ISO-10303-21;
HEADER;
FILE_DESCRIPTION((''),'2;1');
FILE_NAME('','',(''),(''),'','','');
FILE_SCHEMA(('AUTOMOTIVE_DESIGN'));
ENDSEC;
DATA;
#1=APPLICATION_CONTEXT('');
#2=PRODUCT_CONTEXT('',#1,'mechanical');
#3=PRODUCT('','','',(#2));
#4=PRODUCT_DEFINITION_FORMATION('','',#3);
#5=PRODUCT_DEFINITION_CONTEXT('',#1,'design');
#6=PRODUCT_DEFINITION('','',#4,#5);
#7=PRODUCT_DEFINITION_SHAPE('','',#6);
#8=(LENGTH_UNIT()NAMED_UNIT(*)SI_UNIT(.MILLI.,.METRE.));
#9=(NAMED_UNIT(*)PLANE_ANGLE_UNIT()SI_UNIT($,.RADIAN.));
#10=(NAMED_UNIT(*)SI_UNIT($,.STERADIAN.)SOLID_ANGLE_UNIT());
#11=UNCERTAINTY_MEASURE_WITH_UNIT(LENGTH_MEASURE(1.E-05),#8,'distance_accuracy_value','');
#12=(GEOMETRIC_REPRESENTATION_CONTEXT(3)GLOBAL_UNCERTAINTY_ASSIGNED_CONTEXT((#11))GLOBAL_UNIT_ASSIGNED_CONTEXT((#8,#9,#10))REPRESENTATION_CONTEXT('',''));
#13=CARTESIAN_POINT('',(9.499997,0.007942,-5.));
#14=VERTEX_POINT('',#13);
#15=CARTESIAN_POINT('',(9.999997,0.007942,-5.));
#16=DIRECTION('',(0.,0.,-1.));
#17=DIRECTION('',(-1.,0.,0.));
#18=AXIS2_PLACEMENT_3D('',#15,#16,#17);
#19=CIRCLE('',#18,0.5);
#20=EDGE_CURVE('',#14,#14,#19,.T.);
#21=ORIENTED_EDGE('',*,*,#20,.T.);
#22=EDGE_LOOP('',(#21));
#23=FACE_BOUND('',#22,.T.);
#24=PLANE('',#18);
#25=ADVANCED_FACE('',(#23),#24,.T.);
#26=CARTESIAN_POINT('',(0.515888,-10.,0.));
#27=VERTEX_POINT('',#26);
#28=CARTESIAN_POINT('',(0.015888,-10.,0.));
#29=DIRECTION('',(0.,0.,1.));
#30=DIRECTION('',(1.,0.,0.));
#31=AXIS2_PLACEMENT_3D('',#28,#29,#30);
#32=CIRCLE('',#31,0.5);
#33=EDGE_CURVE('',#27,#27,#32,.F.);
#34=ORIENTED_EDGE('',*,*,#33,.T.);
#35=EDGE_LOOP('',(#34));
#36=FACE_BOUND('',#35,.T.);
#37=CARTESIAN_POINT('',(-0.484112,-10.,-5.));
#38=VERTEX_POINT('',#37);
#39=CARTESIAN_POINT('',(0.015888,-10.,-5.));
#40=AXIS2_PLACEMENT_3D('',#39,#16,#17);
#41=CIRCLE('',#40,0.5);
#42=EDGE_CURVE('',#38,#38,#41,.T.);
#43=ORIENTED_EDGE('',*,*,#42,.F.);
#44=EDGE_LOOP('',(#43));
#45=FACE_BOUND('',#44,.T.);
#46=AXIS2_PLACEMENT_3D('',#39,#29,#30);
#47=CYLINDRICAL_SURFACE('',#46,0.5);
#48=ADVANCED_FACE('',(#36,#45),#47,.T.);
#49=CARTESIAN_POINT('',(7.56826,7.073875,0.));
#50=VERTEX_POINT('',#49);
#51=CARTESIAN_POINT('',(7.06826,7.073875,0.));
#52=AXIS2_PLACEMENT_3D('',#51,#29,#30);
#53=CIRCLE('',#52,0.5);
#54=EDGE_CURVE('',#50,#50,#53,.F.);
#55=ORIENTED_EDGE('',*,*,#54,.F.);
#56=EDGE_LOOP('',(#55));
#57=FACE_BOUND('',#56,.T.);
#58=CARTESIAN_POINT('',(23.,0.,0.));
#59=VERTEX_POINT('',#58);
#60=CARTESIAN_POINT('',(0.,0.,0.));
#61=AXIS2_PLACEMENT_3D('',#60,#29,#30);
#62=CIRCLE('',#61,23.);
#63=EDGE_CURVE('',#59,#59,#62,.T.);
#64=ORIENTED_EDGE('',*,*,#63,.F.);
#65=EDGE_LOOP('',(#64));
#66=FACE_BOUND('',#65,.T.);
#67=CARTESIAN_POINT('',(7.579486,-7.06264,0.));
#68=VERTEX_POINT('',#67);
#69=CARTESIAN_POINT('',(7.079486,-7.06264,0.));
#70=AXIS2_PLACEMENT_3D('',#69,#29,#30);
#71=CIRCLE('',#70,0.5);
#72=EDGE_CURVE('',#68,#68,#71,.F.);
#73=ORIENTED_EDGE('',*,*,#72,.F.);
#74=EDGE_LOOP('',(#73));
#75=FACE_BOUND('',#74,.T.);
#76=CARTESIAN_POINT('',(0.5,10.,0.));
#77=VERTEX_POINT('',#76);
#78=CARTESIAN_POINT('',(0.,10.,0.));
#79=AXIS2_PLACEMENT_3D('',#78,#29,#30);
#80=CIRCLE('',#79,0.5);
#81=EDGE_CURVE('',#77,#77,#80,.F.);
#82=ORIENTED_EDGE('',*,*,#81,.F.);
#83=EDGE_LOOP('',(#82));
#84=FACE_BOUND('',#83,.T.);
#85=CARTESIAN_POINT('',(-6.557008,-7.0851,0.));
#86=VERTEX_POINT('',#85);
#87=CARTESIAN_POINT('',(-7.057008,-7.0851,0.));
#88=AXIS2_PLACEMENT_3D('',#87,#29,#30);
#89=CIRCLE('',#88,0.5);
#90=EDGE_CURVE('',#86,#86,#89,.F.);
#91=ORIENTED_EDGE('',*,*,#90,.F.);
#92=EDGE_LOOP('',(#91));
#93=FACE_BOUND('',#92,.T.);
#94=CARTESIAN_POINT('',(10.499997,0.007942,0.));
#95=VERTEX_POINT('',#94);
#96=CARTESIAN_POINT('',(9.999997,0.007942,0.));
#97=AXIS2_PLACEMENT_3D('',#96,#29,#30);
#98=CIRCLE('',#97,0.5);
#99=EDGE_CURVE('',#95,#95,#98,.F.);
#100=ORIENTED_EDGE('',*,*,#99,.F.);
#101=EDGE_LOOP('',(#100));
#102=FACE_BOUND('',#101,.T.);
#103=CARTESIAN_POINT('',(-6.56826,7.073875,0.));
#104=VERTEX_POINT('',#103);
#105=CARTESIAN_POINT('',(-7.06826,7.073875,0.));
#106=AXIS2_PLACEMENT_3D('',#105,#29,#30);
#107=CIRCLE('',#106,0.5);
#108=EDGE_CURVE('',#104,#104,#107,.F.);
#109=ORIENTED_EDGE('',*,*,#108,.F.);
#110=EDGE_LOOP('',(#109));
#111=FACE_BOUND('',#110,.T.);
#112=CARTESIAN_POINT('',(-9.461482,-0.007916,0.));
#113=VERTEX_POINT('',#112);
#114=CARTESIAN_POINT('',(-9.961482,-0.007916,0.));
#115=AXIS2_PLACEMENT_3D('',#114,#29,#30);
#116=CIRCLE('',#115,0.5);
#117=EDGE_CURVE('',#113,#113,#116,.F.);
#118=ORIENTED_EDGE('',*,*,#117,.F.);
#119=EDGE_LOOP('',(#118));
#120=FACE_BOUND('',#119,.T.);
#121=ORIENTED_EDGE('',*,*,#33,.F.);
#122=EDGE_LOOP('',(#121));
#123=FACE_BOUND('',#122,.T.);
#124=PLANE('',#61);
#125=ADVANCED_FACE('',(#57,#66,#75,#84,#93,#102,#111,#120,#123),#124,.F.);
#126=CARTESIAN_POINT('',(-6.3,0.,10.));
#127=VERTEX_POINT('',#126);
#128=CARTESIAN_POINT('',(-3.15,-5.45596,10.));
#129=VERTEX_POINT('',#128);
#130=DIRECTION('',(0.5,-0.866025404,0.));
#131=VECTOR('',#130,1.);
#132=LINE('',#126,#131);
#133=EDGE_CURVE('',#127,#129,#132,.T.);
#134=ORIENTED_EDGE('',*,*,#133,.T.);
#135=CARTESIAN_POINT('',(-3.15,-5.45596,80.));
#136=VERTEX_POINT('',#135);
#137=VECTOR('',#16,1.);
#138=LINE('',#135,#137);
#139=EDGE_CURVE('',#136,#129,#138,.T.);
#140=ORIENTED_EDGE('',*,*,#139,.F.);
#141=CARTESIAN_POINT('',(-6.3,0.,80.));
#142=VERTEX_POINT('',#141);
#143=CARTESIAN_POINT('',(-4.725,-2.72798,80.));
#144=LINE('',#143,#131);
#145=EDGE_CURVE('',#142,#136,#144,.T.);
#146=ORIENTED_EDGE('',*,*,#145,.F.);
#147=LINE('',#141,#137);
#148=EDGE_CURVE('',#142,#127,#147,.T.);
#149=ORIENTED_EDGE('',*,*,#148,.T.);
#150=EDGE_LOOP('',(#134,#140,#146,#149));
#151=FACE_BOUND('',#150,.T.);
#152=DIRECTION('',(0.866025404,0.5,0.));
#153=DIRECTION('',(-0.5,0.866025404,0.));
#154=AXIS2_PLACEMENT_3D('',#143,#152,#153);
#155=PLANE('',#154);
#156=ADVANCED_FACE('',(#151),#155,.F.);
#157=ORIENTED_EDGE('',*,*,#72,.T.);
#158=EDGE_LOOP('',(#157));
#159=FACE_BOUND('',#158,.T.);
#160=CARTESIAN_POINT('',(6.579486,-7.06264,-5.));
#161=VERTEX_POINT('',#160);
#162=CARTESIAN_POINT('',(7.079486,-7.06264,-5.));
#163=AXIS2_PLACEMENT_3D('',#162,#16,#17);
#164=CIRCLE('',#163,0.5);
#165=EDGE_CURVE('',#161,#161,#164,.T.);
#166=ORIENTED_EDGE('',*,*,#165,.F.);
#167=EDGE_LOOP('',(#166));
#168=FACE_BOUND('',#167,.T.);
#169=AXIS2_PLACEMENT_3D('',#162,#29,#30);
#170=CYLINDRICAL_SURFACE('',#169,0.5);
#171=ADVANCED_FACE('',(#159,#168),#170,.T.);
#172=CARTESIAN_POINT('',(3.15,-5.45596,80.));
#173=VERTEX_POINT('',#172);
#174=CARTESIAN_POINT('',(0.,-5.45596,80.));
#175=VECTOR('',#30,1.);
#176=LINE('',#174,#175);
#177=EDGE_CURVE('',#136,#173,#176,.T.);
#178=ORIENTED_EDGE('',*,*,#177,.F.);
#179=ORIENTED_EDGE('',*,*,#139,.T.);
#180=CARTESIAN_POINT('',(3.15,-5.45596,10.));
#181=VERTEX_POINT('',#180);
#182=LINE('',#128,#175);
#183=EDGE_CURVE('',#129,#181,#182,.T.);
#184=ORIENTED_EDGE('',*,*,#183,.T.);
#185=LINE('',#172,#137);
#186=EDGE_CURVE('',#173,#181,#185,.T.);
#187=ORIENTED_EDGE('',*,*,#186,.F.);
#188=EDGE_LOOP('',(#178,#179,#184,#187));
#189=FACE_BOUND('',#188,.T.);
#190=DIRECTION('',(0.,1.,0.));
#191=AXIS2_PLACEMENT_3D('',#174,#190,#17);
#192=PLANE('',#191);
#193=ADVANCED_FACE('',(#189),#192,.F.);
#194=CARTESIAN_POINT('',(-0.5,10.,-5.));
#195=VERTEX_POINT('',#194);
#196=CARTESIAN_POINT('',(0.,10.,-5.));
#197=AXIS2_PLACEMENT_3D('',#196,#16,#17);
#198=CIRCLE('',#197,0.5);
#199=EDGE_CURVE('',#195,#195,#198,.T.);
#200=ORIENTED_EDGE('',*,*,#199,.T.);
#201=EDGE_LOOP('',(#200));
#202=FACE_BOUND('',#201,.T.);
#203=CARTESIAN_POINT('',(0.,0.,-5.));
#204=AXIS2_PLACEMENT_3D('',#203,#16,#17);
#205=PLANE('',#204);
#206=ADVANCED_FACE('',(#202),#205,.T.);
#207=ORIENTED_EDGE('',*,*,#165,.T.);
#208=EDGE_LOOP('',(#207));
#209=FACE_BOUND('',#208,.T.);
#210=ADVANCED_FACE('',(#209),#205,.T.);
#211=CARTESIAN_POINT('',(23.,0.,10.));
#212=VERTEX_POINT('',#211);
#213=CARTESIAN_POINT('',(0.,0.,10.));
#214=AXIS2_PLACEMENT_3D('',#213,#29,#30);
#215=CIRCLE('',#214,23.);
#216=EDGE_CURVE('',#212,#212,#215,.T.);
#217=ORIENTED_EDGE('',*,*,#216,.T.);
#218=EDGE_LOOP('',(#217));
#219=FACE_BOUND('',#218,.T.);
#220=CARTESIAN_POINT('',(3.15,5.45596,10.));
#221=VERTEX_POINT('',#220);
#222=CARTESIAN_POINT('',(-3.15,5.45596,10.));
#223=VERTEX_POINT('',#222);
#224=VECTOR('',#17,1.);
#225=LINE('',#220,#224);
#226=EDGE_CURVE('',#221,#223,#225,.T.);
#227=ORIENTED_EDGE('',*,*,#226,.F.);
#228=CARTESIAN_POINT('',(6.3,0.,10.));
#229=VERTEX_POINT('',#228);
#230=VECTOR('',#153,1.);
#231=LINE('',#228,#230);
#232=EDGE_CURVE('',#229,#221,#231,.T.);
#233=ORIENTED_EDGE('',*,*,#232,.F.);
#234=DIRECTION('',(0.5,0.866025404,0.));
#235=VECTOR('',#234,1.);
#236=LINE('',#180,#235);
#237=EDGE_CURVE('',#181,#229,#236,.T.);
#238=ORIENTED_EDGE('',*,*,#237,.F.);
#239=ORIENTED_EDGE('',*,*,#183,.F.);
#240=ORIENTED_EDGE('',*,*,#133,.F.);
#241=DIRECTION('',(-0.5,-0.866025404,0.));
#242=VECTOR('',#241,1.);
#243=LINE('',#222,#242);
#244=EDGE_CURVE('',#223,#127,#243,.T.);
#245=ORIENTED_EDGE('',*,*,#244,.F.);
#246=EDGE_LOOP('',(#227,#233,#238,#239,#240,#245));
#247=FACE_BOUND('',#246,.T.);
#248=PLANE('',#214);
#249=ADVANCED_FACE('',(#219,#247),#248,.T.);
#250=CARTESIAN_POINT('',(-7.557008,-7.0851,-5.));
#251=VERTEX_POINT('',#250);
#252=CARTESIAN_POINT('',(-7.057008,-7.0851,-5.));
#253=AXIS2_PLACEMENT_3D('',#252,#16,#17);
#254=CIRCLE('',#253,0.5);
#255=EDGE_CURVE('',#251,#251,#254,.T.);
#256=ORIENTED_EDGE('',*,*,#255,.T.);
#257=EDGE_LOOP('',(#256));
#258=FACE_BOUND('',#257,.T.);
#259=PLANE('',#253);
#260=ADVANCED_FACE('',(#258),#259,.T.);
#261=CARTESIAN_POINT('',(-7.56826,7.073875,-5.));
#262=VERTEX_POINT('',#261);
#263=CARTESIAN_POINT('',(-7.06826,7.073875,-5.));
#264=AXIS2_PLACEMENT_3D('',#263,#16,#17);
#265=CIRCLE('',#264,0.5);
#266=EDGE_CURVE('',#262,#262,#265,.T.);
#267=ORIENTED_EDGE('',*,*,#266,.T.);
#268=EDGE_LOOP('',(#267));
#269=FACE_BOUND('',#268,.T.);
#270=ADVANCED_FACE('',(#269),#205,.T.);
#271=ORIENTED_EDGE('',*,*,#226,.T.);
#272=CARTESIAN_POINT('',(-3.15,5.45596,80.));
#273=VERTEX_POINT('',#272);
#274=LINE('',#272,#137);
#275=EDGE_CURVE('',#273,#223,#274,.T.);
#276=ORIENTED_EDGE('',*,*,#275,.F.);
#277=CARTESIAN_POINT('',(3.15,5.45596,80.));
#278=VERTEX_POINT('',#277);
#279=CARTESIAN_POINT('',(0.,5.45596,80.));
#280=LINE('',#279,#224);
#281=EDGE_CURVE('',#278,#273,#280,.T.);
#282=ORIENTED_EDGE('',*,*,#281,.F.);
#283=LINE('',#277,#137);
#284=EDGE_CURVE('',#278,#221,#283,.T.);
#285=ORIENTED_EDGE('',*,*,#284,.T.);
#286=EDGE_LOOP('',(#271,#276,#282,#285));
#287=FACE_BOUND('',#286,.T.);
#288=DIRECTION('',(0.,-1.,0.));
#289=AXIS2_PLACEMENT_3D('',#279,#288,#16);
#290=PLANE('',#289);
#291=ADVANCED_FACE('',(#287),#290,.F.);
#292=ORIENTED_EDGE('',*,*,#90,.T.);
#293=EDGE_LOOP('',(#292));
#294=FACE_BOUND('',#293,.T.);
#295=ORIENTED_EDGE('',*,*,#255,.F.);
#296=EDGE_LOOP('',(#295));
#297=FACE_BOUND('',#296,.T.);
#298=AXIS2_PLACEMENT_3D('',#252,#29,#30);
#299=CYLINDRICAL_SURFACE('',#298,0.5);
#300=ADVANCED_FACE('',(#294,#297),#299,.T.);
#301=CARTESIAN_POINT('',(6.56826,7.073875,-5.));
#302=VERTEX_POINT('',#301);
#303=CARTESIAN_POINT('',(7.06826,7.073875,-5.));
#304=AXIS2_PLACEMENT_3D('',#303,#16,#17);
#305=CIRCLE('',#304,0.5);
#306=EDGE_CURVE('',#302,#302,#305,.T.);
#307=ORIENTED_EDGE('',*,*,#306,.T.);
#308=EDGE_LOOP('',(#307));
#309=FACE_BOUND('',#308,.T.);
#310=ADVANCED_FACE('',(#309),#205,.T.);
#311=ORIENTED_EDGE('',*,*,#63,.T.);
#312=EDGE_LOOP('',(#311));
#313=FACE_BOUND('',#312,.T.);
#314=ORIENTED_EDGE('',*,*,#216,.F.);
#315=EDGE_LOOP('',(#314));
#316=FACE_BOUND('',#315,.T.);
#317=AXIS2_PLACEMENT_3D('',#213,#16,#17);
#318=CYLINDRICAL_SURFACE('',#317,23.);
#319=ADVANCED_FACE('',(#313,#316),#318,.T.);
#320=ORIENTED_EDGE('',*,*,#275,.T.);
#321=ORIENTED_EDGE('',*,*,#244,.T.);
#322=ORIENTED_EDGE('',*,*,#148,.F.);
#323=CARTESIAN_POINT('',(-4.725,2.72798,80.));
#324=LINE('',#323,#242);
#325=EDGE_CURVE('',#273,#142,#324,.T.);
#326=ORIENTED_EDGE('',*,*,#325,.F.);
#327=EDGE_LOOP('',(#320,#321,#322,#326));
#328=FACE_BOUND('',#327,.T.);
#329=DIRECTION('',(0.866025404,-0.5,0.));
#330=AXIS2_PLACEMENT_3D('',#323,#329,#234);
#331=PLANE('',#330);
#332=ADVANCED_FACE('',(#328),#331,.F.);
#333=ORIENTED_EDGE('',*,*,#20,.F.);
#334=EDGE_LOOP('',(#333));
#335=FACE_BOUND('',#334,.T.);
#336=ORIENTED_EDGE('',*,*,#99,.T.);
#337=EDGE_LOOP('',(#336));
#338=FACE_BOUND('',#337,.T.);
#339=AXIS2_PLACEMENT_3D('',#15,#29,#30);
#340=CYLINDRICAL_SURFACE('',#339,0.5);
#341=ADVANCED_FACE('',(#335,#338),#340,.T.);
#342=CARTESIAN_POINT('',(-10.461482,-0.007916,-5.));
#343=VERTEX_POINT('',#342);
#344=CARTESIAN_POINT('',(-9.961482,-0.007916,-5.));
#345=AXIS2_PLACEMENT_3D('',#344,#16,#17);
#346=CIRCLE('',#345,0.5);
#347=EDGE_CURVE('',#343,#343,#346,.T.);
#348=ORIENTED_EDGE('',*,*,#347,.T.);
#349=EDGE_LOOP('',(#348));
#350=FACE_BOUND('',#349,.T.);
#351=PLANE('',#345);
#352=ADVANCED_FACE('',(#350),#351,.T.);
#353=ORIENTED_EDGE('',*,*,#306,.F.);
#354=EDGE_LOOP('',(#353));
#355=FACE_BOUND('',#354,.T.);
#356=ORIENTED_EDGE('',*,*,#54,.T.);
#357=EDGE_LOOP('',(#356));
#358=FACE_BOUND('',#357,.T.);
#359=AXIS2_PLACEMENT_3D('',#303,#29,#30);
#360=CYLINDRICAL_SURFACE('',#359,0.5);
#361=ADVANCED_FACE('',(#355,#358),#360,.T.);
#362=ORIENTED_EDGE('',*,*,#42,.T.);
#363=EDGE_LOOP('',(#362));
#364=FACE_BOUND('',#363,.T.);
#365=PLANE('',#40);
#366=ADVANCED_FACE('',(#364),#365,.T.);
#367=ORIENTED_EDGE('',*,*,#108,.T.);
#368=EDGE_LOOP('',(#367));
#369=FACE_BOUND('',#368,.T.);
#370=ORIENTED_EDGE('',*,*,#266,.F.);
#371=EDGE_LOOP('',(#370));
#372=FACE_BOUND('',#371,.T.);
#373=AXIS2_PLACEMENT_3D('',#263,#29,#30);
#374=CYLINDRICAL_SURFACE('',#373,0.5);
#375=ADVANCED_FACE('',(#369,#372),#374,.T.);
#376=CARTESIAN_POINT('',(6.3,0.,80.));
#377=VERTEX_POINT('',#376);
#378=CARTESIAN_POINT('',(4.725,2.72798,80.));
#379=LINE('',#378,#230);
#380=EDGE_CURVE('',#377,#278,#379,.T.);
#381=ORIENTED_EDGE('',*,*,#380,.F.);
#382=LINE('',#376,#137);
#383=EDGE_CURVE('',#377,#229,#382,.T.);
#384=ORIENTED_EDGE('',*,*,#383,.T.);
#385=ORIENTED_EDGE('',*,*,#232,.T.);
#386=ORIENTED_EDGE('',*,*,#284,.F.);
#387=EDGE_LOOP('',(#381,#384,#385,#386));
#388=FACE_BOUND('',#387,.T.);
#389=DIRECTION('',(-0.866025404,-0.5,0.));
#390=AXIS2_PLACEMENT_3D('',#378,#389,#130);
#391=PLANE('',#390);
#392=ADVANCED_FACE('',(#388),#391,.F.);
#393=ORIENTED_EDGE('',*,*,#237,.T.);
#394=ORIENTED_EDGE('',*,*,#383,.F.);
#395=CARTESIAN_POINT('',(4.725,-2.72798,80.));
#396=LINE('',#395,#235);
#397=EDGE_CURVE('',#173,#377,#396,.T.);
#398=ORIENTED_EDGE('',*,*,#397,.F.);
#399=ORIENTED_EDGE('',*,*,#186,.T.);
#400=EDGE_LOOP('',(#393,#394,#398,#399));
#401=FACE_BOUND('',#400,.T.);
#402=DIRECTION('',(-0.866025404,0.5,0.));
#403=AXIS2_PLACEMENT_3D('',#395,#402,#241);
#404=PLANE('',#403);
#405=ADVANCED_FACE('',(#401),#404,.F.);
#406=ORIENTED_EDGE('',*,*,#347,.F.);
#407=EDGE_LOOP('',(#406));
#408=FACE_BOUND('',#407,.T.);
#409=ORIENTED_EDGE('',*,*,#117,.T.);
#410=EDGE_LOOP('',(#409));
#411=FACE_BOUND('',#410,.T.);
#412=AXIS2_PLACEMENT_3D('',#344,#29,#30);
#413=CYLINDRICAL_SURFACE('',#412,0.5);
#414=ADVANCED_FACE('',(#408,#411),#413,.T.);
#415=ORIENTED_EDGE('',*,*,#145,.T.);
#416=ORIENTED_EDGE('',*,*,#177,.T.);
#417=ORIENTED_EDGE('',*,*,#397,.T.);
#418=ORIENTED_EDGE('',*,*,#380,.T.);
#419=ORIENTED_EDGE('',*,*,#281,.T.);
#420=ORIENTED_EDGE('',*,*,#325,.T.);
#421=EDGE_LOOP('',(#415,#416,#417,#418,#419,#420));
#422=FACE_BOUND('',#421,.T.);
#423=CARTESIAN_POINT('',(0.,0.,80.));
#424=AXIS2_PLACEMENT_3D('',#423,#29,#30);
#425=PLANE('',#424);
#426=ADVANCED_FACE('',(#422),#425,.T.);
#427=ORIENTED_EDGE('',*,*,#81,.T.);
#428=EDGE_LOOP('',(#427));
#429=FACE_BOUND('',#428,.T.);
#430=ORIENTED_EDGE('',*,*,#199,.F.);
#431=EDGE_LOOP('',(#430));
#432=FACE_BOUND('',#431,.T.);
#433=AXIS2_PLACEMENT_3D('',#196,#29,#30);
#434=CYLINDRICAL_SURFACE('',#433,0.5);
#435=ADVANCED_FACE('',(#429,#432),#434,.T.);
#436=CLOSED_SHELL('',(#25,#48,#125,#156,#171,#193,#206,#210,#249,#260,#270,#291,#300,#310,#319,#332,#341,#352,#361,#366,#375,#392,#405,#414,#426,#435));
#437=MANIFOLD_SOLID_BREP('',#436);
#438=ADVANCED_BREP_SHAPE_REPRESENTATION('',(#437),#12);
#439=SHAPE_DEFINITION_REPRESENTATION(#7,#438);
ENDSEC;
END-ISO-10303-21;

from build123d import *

# Parameters (mm, degrees)
SKETCH2_R           = 23
BOSS_EXTRUDE1_DEPTH = 10
BOSS_EXTRUDE2_DEPTH = 80
SKETCH5_R           = 0.5
BOSS_EXTRUDE3_DEPTH = 5


with BuildPart() as part:
    # Sketch2 → Boss-Extrude1 (new body)
    with BuildSketch(Plane.XY):
        Circle(SKETCH2_R)
        Polygon((-6.3, 0), (-3.15, -5.455960044), (3.15, -5.455960044), (6.3, 0), (3.15, 5.455960044), (-3.15, 5.455960044), align=None, mode=Mode.SUBTRACT)
    extrude(amount=BOSS_EXTRUDE1_DEPTH)

    # Sketch2<2> → Boss-Extrude2 (add)
    with BuildSketch(Plane.XY):
        Polygon((-3.15, 5.455960044), (-6.3, 0), (-3.15, -5.455960044), (3.15, -5.455960044), (6.3, 0), (3.15, 5.455960044), align=None)
    extrude(amount=BOSS_EXTRUDE2_DEPTH)

    # Sketch5 → Boss-Extrude3 (add)
    with BuildSketch(Plane(origin=(0, 0, 0), x_dir=(-1, 0, 0), z_dir=(0, 0, -1))):
        with Locations((0, 10)):
            Circle(SKETCH5_R)
        with Locations((-7.068259509, 7.073875)):
            Circle(SKETCH5_R)
        with Locations((7.068259509, 7.073875)):
            Circle(SKETCH5_R)
        with Locations((-9.999996847, 0.007941503)):
            Circle(SKETCH5_R)
        with Locations((-7.07948603, -7.06263956)):
            Circle(SKETCH5_R)
        with Locations((-0.015888246, -10)):
            Circle(SKETCH5_R)
        with Locations((7.057007753, -7.08509997)):
            Circle(SKETCH5_R)
        with Locations((9.961481677, -0.007916121)):
            Circle(SKETCH5_R)
    extrude(amount=BOSS_EXTRUDE3_DEPTH)


solid = part.part
